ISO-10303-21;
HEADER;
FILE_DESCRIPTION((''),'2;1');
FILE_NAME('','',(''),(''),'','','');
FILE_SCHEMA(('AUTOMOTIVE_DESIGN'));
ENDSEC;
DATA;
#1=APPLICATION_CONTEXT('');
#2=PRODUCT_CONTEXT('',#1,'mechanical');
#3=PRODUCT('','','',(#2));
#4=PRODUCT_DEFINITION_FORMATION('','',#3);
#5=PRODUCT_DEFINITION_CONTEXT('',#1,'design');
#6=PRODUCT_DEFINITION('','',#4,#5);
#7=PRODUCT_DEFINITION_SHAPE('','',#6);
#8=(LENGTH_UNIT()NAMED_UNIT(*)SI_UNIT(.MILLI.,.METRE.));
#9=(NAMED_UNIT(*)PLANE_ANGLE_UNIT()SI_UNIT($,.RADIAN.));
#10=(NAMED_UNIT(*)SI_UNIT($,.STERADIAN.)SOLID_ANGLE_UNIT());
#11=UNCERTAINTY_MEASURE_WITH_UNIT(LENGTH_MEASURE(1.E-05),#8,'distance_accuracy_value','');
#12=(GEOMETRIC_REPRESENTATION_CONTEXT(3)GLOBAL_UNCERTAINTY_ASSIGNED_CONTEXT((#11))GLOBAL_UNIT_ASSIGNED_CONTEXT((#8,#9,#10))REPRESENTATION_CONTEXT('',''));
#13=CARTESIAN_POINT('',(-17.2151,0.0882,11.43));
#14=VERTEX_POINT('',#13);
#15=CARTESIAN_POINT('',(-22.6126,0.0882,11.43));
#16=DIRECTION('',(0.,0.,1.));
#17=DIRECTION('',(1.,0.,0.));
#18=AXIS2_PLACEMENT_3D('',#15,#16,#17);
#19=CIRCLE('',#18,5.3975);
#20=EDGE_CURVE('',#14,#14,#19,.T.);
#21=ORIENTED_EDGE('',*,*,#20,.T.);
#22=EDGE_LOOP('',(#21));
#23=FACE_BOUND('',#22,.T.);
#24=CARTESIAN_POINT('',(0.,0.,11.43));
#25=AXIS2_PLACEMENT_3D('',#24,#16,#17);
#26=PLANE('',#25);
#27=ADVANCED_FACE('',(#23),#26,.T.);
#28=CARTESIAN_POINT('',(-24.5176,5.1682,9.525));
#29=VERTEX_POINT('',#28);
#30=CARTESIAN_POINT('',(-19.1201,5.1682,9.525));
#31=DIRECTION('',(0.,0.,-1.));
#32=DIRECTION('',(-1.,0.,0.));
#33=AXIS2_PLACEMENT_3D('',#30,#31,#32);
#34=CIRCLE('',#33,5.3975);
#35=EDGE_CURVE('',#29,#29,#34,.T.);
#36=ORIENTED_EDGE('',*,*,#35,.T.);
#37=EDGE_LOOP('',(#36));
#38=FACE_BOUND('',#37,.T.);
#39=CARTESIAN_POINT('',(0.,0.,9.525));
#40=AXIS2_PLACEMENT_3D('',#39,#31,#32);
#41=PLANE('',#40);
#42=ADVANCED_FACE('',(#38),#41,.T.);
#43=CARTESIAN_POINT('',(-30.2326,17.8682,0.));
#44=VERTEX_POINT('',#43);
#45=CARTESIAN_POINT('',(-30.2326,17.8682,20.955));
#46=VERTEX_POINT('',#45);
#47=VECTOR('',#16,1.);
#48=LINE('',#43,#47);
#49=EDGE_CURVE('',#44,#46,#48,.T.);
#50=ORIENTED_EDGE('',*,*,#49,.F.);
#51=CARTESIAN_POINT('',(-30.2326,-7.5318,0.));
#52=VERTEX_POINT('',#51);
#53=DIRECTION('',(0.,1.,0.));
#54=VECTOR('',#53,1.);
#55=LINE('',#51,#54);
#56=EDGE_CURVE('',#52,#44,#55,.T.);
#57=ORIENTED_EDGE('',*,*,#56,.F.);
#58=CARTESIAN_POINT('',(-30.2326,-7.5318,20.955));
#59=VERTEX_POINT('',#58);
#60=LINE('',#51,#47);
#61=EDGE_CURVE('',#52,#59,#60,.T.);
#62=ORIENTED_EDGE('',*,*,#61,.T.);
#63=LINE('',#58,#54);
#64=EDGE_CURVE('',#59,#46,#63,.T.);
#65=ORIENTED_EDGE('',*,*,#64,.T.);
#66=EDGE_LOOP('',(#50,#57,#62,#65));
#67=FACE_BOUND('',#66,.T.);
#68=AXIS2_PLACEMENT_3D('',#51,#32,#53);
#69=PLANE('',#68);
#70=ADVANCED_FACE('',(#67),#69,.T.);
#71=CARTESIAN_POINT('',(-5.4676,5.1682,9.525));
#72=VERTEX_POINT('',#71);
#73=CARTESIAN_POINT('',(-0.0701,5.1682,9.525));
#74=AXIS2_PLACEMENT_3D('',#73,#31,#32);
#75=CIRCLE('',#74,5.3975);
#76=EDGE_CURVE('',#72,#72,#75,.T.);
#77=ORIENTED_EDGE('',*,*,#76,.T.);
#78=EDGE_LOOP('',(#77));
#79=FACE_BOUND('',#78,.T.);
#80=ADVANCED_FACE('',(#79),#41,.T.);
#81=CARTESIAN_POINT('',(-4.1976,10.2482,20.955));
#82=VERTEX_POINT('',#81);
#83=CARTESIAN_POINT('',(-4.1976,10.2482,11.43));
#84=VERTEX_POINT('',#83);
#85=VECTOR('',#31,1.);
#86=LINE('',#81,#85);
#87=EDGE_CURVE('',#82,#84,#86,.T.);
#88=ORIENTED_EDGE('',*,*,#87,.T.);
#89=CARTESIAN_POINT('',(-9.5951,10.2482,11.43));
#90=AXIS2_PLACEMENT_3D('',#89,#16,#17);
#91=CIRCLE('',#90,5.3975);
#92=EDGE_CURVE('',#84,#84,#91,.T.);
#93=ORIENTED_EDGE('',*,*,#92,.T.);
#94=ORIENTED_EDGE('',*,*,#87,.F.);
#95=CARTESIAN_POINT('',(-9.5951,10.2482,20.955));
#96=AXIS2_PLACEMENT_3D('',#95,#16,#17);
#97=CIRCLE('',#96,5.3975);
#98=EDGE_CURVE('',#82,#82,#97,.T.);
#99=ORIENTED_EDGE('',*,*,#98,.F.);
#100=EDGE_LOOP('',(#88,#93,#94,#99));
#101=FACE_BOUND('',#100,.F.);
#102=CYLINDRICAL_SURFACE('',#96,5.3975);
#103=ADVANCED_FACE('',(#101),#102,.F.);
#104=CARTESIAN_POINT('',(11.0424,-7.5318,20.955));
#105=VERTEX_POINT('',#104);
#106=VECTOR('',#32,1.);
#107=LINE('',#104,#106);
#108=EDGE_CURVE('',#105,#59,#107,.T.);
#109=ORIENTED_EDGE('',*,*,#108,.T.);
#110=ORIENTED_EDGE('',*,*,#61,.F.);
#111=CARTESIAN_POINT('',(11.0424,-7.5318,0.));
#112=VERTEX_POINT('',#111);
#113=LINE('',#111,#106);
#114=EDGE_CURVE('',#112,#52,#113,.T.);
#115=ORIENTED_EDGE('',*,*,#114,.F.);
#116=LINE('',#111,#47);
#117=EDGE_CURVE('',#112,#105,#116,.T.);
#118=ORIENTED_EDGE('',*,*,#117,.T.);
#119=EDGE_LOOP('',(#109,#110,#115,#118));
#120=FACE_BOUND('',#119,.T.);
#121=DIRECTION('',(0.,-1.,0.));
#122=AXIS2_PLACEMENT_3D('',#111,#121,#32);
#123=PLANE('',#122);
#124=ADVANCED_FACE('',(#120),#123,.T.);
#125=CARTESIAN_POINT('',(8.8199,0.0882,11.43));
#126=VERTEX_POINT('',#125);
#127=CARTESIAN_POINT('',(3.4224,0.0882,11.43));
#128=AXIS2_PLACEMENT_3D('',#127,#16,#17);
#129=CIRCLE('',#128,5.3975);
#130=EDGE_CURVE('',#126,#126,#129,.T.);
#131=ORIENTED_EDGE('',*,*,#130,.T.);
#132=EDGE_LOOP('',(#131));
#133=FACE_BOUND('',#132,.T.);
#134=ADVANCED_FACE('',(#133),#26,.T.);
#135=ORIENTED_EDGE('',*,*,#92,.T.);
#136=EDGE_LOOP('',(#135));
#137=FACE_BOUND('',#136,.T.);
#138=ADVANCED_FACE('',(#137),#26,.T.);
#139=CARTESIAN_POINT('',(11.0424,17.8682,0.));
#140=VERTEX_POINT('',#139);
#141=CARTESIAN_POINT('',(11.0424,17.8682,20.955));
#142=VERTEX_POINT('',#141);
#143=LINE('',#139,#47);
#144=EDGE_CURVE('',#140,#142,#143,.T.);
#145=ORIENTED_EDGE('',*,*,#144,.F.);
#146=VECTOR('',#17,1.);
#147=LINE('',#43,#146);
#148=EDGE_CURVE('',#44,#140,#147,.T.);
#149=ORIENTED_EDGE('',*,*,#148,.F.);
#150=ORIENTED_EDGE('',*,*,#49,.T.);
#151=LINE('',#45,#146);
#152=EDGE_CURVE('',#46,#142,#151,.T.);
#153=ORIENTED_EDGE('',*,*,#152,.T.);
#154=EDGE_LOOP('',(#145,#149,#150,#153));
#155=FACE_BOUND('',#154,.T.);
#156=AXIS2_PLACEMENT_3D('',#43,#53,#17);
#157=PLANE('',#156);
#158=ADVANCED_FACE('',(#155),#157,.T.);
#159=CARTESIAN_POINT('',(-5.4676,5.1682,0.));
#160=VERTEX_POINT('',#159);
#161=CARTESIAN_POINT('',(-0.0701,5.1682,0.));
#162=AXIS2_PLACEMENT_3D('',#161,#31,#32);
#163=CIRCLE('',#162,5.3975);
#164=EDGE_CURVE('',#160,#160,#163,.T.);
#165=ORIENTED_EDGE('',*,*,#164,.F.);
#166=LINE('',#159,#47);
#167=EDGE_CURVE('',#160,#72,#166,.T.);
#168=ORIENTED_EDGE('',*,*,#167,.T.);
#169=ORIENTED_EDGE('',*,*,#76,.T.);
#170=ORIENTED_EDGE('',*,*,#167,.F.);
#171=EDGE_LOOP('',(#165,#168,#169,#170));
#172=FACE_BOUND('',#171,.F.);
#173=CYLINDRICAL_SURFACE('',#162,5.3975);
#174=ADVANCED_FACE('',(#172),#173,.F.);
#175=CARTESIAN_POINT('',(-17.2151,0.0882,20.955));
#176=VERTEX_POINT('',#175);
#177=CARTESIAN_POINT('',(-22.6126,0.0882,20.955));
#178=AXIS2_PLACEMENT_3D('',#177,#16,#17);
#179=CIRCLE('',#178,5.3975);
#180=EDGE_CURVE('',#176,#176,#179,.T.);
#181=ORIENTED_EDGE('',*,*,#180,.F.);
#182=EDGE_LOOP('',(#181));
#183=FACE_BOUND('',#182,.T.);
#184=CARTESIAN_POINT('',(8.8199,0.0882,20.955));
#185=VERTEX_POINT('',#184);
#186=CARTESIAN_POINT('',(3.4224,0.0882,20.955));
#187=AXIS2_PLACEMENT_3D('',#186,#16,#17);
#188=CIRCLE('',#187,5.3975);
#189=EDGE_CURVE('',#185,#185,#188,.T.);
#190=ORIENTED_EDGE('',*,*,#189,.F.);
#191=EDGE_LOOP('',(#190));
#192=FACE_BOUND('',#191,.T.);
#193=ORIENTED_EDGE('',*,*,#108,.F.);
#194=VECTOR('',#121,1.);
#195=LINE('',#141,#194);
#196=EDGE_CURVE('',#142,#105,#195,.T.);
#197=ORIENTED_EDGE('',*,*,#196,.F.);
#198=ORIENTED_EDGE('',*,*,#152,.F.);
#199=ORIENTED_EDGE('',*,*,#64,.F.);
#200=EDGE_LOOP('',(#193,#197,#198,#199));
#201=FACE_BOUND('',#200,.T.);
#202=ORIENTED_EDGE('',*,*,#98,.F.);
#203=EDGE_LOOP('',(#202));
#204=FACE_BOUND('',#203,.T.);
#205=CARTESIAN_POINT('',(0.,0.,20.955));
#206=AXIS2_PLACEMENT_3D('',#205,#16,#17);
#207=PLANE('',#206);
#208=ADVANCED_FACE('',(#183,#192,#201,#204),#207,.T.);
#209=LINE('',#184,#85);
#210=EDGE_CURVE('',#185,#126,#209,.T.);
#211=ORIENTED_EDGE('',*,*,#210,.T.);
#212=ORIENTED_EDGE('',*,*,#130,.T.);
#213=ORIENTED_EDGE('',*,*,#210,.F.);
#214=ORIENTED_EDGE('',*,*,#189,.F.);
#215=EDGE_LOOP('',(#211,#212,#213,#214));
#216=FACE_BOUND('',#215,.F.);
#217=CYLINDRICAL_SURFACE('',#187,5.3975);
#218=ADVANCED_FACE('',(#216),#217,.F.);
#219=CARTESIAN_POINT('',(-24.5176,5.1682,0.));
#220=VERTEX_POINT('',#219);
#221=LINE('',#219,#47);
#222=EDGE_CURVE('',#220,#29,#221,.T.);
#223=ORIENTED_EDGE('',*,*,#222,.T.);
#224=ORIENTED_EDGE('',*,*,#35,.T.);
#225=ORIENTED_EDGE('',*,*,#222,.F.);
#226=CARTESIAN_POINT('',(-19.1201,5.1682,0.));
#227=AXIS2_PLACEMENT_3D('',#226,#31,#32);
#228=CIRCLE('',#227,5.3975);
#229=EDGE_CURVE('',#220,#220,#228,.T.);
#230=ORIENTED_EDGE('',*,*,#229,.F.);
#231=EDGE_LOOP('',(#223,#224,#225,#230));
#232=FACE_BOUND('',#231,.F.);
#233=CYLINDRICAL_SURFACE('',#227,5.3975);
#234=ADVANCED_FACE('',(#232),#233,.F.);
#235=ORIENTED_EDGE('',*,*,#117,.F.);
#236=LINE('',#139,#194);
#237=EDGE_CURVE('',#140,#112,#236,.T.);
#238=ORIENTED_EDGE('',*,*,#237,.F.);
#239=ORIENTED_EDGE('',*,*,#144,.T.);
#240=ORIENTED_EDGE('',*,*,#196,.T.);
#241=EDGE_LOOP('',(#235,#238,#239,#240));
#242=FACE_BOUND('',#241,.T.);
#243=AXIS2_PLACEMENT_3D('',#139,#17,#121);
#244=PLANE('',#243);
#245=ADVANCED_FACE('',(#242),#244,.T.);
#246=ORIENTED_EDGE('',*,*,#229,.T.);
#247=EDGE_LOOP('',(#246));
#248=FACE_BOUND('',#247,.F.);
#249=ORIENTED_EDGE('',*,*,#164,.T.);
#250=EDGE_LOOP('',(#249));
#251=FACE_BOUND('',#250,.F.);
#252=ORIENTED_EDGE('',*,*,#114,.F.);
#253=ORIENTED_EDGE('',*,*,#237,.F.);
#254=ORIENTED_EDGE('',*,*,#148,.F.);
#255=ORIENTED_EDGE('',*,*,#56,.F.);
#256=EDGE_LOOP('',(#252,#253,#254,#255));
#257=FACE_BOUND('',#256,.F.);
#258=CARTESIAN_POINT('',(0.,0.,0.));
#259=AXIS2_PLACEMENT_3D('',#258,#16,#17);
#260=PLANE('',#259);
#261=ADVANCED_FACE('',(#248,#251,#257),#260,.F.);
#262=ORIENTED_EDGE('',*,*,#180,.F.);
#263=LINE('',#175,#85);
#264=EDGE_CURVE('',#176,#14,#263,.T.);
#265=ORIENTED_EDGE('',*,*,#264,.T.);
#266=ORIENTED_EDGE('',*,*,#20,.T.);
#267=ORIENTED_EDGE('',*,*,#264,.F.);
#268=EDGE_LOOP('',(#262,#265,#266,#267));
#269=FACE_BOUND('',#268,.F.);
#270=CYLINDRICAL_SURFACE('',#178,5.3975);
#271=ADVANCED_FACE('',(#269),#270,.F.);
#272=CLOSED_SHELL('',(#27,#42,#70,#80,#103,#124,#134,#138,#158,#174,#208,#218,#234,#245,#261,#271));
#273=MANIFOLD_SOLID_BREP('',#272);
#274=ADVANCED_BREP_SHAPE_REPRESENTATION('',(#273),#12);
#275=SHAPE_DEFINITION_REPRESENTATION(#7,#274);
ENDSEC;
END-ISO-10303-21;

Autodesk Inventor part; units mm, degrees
ref_plane "YZ Plane" through (0, 0, 0) normal (1, 0, 0) x (0, 1, 0)
ref_plane "XZ Plane" through (0, 0, 0) normal (0, 1, 0) x (-1, 0, 0)
ref_plane "XY Plane" through (0, 0, 0) normal (0, 0, 1) x (1, 0, 0)
sketch "Sketch1" plane through (0, 0, 0) normal (0, 0, 1) x (1, 0, 0)
  line L0 (-30.2326, 17.8682) -> (11.0424, 17.8682)
  line L1 (11.0424, 17.8682) -> (11.0424, -7.5318)
  line L2 (11.0424, -7.5318) -> (-30.2326, -7.5318)
  line L3 (-30.2326, -7.5318) -> (-30.2326, 17.8682)
  point P0 (0, 0)
  dimension "d0" = 41.275
  dimension "d1" = 25.4
extrude "Extrusion1" add sketch "Sketch1" along normal blind 20.955
sketch "Sketch2" plane through (0, 0, 20.955) normal (0, 0, 1) x (1, 0, 0)
  line L0 (11.0424, 17.8682) -> (11.0424, -7.5318) projected
  line L1 (-30.2326, 17.8682) -> (11.0424, 17.8682) projected
  line L2 (-30.2326, -7.5318) -> (-30.2326, 17.8682) projected
  line L3 (11.0424, -7.5318) -> (-30.2326, -7.5318) projected
  circle A0 centre (-9.5951, 10.2482) radius 5.3975
  circle A1 centre (-22.6126, 0.0882) radius 5.3975
  circle A2 centre (3.4224, 0.0882) radius 5.3975
  dimension "d4" = 10.795
  dimension "d5" = 7.62
  dimension "d6" = 7.62
  dimension "d7" = 7.62
  dimension "d8" = 7.62
  dimension "d9" = 7.62
extrude "Extrusion2" cut sketch "Sketch2" against normal blind 9.525 contours A0 | A1 | A2
thread "Thread1" size "7/16-14 UNC" class "2B" standard "ANSI Unified Screw Threads" full length
thread "Thread2" size "7/16-14 UNC" class "2B" standard "ANSI Unified Screw Threads" full length
thread "Thread3" size "7/16-14 UNC" class "2B" standard "ANSI Unified Screw Threads" full length
sketch "Sketch3" plane through (0, 0, 0) normal (0, 0, -1) x (-1, 0, 0)
  line L0 (30.2326, -7.5318) -> (30.2326, 17.8682) projected
  circle A0 centre (0.0701, 5.1682) radius 5.3975
  circle A1 centre (19.1201, 5.1682) radius 5.3975
  point P0 (0, 0)
  dimension "d18" = 10.795
  dimension "d19" = 19.05
  dimension "d20" = 11.1125
extrude "Extrusion3" cut sketch "Sketch3" against normal blind 9.525
thread "Thread4" size "7/16-14 UNC" class "2B" standard "ANSI Unified Screw Threads" full length
thread "Thread5" size "7/16-14 UNC" class "2B" standard "ANSI Unified Screw Threads" full length
properties part number "Solenoid Base 1764"
